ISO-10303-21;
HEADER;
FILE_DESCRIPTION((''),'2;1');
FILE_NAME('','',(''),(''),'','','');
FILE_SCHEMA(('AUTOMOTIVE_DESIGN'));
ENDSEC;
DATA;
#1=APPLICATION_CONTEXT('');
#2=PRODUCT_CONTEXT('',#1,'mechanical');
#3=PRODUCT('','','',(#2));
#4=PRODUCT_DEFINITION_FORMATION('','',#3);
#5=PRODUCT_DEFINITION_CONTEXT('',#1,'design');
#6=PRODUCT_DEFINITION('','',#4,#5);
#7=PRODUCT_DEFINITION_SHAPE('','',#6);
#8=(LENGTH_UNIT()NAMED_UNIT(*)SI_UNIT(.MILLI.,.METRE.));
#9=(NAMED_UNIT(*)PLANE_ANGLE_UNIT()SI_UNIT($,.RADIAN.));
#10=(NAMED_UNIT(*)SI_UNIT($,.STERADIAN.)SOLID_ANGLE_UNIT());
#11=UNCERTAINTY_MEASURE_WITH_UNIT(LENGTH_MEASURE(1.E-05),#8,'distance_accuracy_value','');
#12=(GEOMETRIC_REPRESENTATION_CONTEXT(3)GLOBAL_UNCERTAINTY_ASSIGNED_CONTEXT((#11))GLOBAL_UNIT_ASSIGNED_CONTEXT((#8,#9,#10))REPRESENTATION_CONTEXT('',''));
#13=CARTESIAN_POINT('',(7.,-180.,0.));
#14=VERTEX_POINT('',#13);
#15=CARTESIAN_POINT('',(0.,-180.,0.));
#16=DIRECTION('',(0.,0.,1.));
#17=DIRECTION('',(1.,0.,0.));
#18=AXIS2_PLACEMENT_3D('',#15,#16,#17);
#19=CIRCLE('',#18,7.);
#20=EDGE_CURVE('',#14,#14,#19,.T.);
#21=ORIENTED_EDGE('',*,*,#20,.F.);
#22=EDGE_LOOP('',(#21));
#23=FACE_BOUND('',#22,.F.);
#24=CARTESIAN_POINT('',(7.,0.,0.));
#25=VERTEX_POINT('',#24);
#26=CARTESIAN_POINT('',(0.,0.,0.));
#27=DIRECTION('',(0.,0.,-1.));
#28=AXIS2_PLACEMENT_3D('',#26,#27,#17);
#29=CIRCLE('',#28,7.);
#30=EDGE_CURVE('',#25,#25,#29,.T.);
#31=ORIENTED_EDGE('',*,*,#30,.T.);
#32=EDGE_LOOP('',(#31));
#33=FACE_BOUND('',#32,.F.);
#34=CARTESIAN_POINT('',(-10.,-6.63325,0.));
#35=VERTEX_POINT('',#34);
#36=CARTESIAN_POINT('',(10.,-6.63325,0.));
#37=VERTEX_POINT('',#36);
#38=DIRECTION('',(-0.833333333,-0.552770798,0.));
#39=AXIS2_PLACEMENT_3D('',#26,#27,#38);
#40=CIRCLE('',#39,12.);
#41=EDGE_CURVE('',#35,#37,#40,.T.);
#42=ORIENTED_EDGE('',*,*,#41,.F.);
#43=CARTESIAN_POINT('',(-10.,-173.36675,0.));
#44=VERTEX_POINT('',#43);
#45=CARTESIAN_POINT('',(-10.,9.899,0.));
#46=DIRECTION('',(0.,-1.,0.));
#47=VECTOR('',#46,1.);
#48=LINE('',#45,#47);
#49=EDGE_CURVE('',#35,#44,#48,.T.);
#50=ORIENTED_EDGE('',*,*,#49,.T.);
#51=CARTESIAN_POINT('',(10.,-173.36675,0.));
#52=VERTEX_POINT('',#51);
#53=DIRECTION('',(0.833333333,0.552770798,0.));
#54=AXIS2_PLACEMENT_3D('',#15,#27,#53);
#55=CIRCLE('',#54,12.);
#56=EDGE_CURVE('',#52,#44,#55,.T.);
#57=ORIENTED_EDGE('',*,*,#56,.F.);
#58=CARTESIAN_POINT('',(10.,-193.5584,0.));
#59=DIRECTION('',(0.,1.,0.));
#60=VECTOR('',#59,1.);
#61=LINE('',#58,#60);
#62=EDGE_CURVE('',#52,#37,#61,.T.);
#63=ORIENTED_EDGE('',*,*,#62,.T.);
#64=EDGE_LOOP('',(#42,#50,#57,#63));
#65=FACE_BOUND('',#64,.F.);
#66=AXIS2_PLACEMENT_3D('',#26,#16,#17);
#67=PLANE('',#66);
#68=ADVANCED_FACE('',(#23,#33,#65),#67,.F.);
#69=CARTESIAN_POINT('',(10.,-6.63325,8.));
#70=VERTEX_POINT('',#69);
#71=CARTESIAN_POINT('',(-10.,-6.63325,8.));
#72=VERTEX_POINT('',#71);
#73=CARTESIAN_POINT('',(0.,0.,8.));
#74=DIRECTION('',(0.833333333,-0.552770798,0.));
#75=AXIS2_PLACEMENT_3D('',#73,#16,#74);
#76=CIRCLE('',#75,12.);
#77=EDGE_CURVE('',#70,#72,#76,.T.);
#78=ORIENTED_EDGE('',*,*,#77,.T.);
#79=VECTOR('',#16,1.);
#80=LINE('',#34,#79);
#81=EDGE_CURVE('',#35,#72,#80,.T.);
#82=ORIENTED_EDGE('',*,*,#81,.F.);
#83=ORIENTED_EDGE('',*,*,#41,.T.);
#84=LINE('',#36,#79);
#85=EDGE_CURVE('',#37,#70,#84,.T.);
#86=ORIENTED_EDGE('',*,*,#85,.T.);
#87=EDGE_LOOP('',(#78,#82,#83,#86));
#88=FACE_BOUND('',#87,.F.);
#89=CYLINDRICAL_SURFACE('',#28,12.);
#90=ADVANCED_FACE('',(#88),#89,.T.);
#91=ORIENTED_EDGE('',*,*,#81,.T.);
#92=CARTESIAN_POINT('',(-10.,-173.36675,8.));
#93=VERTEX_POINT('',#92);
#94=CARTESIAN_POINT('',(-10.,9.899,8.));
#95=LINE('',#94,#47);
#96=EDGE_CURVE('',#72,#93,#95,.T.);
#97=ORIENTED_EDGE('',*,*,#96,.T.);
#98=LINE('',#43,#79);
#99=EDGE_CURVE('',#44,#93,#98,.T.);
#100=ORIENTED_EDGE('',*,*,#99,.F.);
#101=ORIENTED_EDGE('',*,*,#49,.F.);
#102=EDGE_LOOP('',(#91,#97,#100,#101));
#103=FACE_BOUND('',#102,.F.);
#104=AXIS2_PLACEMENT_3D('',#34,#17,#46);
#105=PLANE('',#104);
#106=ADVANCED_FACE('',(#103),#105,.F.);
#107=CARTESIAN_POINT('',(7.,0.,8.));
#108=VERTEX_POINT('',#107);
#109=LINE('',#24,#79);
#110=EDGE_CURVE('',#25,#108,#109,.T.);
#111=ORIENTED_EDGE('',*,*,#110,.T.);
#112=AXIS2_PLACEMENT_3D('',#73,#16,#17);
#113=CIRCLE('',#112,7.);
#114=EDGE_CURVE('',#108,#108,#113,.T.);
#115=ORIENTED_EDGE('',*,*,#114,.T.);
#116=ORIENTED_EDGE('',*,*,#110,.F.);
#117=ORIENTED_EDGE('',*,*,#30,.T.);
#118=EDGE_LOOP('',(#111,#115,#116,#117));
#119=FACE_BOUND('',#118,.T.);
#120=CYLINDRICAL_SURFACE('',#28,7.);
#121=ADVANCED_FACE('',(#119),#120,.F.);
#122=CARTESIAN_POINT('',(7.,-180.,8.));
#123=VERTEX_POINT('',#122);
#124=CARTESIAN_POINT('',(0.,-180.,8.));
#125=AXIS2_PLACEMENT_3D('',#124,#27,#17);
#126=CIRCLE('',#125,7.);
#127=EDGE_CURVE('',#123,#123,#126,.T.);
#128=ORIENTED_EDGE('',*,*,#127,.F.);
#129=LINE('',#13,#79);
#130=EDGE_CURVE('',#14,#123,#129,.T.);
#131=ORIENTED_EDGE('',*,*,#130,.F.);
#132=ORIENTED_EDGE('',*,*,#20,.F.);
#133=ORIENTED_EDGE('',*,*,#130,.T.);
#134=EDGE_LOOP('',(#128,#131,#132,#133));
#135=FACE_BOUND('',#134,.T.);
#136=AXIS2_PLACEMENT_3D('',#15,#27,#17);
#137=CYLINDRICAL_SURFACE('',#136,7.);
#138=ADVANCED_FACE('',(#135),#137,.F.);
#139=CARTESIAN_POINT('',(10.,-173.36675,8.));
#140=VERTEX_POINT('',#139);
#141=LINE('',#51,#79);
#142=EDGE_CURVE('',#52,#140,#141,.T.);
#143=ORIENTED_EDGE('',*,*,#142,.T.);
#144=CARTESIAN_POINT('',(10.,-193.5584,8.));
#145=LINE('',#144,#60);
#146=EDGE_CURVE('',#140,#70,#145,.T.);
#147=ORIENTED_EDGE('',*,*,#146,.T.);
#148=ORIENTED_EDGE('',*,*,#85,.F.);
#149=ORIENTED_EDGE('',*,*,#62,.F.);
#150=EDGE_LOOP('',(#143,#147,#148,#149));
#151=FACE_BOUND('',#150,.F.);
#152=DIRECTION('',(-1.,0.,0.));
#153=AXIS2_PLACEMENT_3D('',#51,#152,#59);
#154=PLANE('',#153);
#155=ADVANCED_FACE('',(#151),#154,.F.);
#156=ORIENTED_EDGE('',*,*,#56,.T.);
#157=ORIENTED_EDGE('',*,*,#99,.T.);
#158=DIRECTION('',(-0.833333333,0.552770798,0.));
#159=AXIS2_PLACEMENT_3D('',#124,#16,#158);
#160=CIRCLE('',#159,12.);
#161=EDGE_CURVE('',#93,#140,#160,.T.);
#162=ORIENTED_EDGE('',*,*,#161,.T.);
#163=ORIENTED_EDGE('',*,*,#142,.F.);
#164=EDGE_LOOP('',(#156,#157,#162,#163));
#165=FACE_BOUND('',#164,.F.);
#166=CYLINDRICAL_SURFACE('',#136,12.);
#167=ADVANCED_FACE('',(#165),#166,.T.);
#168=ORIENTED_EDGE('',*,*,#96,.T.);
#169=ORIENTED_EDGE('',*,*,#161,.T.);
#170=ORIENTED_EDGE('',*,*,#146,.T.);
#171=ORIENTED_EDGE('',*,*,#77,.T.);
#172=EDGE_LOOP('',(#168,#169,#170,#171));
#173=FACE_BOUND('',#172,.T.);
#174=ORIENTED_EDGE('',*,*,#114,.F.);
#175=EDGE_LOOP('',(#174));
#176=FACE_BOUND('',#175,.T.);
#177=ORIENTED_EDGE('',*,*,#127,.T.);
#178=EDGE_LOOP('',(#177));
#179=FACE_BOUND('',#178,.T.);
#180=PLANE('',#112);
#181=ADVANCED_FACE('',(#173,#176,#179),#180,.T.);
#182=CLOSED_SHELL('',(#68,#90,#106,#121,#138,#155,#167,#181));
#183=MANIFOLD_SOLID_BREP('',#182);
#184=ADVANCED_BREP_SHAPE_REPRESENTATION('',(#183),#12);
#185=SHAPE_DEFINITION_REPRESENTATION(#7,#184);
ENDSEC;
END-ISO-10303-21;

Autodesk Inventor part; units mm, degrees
ref_plane "YZ Plane" through (0, 0, 0) normal (1, 0, 0) x (0, 1, 0)
ref_plane "XZ Plane" through (0, 0, 0) normal (0, 1, 0) x (-1, 0, 0)
ref_plane "XY Plane" through (0, 0, 0) normal (0, 0, 1) x (1, 0, 0)
sketch "スケッチ1" plane through (0, 0, 0) normal (0, 0, 1) x (1, 0, 0)
  circle A0 centre (0, 0) radius 7
  circle A1 centre (0, 0) radius 12
  line L0 (-5, 4.899) -> (5, 4.899)
  line L1 (5, 4.899) -> (5, -188.5584)
  line L2 (5, -188.5584) -> (-5, -188.5584)
  line L3 (-5, -188.5584) -> (-5, 4.899)
  circle A2 centre (0, -180) radius 7
  circle A3 centre (0, -180) radius 12
  line L4 (10, -193.5584) -> (10, 9.899)
  line L5 (10, 9.899) -> (-10, 9.899)
  line L6 (-10, 9.899) -> (-10, -193.5584)
  line L7 (-10, -193.5584) -> (10, -193.5584)
  point P0 (5, -10.9087)
  point P1 (-5, -10.9087)
  point P2 (-8, 8.9443)
  point P3 (12, 0)
  point P4 (-5, -169.0913)
  point P5 (5, -169.0913)
  point P6 (0, -188.5584)
  point P7 (10, -173.3668)
  point P8 (10, -6.6332)
  point P9 (-10, -6.6332)
  point P10 (-10, -173.3668)
  dimension "d0" = 14
  dimension "d1" = 24
  dimension "d3" = 10
  dimension "d16" = 14
  dimension "d17" = 24
  dimension "d22" = 180
  dimension "d23" = 5
  dimension "d24" = 0
  dimension "d25" = 5
extrude "押し出し1" add sketch "スケッチ1" along normal blind 8 contours A0 L3 A1 L6 L5 L4 L1 | L1 A1 L3 A0 | L1 A3 L3 A1 | A1 L4 A3 L1 | L3 A3 L6 A1 | L4 A1 | A3 L4 L6 L3 A2 L2 L1 | L1 A2 L3 A3 | A1 L6 | A3 L4 | L6 A3 | L5 A1 | L1 L2 L3 A2
equation "\"d23\" = 0.5 * d3"
properties part number "legparts_03(seven)" material "ABS プラスチック"
